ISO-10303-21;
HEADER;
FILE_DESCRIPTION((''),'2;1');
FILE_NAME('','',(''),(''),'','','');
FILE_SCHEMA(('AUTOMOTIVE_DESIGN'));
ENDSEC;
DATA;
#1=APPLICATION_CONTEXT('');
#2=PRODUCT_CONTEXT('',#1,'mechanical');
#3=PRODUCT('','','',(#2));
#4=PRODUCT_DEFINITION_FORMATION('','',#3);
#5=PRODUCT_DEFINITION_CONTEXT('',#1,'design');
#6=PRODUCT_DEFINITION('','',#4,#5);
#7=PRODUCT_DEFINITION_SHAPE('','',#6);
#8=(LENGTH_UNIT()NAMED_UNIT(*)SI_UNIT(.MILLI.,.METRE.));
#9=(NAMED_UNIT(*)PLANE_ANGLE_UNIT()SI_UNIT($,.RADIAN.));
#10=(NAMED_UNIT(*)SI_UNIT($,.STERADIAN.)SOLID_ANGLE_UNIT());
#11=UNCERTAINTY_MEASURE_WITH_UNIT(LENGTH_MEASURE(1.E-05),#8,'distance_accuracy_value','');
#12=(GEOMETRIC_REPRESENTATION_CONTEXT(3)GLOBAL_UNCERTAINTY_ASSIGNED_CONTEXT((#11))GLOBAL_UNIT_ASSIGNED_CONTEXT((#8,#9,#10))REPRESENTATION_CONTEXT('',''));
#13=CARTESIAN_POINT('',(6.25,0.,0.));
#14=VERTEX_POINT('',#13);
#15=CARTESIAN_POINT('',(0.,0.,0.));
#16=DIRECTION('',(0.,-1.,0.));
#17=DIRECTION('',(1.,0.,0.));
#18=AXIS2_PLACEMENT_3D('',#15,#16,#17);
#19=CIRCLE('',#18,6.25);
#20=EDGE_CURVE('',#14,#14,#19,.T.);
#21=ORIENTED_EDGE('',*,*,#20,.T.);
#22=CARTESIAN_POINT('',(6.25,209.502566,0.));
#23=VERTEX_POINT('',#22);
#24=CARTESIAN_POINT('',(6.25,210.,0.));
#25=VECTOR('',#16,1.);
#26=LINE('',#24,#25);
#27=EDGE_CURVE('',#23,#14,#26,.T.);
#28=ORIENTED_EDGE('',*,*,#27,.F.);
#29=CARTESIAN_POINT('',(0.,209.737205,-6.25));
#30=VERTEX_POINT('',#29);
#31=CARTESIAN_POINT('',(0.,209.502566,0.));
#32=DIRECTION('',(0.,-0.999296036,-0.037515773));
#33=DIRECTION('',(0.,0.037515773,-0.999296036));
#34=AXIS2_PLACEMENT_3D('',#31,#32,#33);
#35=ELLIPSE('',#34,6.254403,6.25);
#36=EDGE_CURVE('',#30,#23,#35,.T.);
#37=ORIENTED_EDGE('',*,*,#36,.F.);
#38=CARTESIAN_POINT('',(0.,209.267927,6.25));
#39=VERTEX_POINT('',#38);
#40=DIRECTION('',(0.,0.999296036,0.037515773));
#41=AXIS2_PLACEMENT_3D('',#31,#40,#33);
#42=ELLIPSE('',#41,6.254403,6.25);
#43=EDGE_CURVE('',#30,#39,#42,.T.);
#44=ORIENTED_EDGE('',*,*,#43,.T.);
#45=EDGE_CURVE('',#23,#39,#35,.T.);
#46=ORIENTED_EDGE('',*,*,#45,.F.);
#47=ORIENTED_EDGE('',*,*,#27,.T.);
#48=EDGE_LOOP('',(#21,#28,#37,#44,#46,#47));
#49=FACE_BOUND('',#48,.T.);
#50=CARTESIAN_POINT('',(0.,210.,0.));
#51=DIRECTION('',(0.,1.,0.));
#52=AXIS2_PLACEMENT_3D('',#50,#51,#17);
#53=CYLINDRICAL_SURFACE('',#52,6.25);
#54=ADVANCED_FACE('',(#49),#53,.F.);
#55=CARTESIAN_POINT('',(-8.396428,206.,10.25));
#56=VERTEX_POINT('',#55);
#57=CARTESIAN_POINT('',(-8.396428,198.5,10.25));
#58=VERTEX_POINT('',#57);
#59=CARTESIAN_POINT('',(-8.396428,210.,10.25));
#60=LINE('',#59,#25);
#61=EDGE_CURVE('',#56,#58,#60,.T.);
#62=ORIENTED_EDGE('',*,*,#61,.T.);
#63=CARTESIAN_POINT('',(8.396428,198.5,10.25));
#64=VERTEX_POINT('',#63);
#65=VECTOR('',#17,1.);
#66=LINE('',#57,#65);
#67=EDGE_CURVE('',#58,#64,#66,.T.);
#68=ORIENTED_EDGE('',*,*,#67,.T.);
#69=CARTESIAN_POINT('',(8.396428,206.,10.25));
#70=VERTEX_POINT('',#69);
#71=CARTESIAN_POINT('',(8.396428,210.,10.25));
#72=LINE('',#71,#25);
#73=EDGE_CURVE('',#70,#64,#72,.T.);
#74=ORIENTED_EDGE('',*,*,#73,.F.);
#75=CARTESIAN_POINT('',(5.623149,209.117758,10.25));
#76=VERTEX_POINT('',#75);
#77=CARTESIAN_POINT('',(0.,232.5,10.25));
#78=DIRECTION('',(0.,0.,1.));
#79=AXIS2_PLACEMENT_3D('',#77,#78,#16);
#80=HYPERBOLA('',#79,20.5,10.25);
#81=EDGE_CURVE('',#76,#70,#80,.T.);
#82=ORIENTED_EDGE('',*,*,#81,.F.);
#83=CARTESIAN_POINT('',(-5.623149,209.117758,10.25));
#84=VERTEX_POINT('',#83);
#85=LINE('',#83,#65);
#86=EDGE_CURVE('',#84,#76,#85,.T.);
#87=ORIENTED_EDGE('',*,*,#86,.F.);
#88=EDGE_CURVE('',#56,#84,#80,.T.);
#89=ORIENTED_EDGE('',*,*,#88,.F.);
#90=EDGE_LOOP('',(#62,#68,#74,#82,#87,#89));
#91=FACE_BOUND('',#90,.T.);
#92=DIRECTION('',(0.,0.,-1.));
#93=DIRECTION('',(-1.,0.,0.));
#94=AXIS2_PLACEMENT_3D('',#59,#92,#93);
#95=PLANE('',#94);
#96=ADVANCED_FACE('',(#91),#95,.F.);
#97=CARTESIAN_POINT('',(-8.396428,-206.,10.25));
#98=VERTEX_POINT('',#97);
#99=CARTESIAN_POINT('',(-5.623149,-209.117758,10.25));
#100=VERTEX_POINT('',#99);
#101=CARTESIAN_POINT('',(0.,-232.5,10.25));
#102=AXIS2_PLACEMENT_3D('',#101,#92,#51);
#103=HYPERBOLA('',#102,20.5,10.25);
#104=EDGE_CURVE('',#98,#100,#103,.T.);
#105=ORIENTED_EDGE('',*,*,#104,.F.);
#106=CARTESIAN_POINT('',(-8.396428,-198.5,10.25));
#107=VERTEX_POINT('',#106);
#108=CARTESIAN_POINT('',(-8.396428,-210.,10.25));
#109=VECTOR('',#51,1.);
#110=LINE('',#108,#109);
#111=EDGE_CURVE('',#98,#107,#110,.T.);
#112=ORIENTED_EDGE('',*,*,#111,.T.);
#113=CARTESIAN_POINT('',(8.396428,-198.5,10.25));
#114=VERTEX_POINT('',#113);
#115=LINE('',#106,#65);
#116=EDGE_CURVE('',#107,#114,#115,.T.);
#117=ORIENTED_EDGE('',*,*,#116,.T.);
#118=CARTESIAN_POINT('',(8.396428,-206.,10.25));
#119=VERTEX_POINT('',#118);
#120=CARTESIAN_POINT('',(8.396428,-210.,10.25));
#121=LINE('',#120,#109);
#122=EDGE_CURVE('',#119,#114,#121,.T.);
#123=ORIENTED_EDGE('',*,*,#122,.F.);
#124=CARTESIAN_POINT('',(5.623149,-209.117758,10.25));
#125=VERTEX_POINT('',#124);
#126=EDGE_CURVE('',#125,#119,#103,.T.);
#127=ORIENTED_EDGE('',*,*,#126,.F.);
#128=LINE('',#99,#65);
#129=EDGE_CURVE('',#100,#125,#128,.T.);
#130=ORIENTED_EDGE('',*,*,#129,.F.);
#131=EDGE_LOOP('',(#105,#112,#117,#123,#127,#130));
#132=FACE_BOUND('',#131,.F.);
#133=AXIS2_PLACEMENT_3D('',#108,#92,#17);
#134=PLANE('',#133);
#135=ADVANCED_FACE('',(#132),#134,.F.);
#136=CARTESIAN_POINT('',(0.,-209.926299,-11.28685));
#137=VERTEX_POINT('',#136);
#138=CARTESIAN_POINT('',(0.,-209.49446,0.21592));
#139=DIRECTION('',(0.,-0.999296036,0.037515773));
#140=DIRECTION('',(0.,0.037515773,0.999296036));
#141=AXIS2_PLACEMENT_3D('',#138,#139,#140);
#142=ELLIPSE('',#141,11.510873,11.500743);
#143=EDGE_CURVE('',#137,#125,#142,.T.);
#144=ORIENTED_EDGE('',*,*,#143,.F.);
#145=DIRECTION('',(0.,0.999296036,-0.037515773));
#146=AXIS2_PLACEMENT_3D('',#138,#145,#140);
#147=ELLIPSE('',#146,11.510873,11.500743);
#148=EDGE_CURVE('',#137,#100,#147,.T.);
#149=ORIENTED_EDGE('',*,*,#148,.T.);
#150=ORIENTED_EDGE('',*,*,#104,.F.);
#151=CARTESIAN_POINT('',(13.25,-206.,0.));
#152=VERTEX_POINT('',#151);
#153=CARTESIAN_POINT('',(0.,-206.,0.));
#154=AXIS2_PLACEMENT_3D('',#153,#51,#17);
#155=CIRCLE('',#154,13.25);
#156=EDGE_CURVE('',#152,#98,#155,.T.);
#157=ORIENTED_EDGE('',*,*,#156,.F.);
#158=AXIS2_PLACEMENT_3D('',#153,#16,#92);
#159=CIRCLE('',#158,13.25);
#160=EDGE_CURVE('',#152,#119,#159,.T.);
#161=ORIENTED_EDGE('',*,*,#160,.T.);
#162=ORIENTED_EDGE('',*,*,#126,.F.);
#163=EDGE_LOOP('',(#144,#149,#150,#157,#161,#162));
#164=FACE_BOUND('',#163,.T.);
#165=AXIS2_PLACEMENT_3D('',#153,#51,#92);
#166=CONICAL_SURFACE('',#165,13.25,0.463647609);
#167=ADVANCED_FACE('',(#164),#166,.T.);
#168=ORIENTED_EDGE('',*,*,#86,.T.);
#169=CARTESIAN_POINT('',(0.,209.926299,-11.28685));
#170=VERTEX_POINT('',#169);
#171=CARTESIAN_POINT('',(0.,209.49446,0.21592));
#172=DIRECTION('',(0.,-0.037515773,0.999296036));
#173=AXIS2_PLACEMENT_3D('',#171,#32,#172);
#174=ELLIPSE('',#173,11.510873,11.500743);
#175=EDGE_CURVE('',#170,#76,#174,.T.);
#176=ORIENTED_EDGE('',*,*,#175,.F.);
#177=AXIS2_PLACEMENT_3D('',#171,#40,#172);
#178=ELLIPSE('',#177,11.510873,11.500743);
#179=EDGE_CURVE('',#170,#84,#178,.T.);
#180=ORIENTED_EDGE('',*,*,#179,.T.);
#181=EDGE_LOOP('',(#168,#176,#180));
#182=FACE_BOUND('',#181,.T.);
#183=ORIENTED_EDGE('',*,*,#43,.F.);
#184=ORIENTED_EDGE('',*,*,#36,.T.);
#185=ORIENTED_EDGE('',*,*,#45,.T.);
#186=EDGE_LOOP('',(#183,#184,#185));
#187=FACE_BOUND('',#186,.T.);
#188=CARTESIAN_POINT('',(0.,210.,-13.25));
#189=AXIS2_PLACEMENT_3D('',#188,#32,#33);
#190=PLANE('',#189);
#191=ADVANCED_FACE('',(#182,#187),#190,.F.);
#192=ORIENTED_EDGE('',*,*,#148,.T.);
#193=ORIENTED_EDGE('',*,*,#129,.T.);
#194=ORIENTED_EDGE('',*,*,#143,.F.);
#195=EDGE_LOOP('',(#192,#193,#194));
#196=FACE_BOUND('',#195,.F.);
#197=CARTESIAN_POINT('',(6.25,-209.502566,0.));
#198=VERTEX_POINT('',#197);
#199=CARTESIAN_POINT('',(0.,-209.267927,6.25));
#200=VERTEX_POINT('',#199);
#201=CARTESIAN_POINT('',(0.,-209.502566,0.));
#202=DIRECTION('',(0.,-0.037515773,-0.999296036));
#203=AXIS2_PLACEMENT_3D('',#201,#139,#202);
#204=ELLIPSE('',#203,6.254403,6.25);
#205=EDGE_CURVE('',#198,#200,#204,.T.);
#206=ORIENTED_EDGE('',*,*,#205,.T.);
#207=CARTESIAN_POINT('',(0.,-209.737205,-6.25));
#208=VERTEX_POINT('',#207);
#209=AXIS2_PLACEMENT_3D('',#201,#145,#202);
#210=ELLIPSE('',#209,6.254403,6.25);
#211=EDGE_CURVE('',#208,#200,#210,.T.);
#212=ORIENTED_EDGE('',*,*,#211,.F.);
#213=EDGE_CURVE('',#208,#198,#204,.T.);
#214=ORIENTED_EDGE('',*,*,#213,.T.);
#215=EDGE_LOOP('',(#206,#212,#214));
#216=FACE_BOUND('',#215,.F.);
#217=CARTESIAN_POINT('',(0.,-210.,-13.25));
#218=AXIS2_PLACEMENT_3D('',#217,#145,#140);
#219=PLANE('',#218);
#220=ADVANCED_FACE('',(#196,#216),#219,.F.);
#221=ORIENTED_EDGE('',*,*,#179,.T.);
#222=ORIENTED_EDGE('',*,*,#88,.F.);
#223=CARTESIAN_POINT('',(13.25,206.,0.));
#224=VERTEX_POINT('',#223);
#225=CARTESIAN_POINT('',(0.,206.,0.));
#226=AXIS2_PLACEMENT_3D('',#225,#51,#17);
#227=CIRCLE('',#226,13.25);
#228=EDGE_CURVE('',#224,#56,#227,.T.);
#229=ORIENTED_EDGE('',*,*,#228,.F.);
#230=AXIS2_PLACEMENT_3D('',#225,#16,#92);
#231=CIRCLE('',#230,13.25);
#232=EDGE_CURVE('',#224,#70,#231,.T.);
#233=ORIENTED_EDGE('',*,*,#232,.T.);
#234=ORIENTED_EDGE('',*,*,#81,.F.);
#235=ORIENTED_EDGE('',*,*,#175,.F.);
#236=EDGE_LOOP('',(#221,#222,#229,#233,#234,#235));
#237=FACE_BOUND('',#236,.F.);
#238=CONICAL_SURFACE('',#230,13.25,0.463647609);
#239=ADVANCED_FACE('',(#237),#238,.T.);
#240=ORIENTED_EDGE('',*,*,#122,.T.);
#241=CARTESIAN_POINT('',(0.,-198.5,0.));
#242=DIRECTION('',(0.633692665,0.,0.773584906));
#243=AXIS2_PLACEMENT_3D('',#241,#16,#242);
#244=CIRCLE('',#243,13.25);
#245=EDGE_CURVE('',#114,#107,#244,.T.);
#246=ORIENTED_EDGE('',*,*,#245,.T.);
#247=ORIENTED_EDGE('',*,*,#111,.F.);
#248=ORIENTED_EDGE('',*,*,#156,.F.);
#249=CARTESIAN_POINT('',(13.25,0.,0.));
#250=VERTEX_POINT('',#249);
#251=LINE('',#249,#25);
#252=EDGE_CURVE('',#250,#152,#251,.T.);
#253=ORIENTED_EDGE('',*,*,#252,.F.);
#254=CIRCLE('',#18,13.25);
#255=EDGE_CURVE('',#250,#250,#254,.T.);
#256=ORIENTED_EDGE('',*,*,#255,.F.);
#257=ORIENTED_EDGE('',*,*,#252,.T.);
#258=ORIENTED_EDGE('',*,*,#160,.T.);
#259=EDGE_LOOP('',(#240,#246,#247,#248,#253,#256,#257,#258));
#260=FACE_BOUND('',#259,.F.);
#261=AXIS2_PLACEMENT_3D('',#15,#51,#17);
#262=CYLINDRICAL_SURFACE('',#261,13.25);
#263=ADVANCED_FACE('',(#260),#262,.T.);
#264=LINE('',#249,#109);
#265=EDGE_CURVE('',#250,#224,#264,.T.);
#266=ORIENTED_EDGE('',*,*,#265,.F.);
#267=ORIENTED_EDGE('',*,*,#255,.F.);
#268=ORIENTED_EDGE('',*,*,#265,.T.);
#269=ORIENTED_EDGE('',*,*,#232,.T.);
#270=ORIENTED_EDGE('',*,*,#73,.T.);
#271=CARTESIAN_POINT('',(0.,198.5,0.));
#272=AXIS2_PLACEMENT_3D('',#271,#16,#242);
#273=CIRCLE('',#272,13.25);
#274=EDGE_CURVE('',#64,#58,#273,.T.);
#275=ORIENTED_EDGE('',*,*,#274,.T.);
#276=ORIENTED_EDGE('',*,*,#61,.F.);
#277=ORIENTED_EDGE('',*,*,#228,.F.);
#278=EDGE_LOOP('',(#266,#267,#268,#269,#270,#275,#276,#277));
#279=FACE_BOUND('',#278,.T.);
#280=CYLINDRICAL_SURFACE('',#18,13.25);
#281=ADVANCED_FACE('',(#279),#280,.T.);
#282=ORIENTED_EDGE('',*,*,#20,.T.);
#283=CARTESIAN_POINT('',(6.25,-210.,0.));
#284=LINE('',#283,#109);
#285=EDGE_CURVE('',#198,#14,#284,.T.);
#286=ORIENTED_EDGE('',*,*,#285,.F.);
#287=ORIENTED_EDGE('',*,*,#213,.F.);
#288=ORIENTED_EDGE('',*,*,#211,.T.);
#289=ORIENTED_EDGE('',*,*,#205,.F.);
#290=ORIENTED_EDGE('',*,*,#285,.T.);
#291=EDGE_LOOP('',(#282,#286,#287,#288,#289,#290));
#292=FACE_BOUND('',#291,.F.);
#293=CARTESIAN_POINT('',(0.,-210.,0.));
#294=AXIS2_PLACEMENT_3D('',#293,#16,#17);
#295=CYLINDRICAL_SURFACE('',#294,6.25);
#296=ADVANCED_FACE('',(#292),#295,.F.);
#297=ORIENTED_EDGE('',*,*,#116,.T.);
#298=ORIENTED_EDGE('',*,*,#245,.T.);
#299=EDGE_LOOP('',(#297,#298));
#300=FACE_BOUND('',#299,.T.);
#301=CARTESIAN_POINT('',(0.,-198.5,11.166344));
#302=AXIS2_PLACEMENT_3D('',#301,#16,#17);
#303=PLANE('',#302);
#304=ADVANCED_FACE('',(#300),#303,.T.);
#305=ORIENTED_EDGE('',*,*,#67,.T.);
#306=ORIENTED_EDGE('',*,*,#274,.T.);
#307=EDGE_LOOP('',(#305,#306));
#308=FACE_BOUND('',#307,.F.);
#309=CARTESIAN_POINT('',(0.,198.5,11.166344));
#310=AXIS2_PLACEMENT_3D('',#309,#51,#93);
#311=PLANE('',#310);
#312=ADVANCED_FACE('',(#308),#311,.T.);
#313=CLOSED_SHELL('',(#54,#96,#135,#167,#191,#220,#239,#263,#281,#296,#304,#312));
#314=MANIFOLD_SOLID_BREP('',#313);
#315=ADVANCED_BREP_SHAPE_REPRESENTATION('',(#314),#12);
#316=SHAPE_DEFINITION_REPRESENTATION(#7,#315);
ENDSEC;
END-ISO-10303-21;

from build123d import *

# Parameters (mm, degrees)
F0_R          = 13.25
F1_DEPTH      = 210
F3_DEPTH      = 11.5
F4_R          = 6.25
F5_DEPTH      = 210.001
F9_DEPTH      = 13.251
F9_DEPTH_BACK = 13.251


with BuildPart() as f1:
    # F0 (on Front) → F1 (new body)
    with BuildSketch(Plane.XZ):
        Circle(F0_R)
    extrude(amount=F1_DEPTH)

    # F2 (on face) → F3 (cut)
    with BuildSketch(Plane.XZ.offset(210)):
        with BuildLine():
            ThreePointArc((8.3964278119, 10.25), (0, 13.25), (-8.3964278119, 10.25))
            Line((-8.3964278119, 10.25), (8.3964278119, 10.25))
        make_face()
    extrude(amount=-F3_DEPTH, mode=Mode.SUBTRACT)

    # F4 (on face) → F5 (cut, through all)
    with BuildSketch(Plane.XZ.offset(210)):
        Circle(F4_R)
    extrude(amount=-F5_DEPTH, mode=Mode.SUBTRACT)

    # F6 (on Right) → F7 (revolve, cut)
    with BuildSketch(Plane.YZ):
        Polygon((-210, -15.6165892258), (-206, -13.25), (-210, -11.25), align=None)
    revolve(axis=Axis((0, -105, 0), (0, -1, 0)), mode=Mode.SUBTRACT)

    # F8 (on Right) → F9 (cut, two sides)
    with BuildSketch(Plane.YZ) as f9_sk:
        Polygon((-209.0051316588, 13.25), (-210, 13.25), (-210, -13.25), align=None)
    extrude(amount=-F9_DEPTH, mode=Mode.SUBTRACT)
    extrude(f9_sk.sketch, amount=F9_DEPTH_BACK, mode=Mode.SUBTRACT)

    # F10: F1 across plane


with BuildPart() as f1_1:
    add(f1.part)
    add(f1.part.mirror(Plane.XZ))


solid = f1_1.part
